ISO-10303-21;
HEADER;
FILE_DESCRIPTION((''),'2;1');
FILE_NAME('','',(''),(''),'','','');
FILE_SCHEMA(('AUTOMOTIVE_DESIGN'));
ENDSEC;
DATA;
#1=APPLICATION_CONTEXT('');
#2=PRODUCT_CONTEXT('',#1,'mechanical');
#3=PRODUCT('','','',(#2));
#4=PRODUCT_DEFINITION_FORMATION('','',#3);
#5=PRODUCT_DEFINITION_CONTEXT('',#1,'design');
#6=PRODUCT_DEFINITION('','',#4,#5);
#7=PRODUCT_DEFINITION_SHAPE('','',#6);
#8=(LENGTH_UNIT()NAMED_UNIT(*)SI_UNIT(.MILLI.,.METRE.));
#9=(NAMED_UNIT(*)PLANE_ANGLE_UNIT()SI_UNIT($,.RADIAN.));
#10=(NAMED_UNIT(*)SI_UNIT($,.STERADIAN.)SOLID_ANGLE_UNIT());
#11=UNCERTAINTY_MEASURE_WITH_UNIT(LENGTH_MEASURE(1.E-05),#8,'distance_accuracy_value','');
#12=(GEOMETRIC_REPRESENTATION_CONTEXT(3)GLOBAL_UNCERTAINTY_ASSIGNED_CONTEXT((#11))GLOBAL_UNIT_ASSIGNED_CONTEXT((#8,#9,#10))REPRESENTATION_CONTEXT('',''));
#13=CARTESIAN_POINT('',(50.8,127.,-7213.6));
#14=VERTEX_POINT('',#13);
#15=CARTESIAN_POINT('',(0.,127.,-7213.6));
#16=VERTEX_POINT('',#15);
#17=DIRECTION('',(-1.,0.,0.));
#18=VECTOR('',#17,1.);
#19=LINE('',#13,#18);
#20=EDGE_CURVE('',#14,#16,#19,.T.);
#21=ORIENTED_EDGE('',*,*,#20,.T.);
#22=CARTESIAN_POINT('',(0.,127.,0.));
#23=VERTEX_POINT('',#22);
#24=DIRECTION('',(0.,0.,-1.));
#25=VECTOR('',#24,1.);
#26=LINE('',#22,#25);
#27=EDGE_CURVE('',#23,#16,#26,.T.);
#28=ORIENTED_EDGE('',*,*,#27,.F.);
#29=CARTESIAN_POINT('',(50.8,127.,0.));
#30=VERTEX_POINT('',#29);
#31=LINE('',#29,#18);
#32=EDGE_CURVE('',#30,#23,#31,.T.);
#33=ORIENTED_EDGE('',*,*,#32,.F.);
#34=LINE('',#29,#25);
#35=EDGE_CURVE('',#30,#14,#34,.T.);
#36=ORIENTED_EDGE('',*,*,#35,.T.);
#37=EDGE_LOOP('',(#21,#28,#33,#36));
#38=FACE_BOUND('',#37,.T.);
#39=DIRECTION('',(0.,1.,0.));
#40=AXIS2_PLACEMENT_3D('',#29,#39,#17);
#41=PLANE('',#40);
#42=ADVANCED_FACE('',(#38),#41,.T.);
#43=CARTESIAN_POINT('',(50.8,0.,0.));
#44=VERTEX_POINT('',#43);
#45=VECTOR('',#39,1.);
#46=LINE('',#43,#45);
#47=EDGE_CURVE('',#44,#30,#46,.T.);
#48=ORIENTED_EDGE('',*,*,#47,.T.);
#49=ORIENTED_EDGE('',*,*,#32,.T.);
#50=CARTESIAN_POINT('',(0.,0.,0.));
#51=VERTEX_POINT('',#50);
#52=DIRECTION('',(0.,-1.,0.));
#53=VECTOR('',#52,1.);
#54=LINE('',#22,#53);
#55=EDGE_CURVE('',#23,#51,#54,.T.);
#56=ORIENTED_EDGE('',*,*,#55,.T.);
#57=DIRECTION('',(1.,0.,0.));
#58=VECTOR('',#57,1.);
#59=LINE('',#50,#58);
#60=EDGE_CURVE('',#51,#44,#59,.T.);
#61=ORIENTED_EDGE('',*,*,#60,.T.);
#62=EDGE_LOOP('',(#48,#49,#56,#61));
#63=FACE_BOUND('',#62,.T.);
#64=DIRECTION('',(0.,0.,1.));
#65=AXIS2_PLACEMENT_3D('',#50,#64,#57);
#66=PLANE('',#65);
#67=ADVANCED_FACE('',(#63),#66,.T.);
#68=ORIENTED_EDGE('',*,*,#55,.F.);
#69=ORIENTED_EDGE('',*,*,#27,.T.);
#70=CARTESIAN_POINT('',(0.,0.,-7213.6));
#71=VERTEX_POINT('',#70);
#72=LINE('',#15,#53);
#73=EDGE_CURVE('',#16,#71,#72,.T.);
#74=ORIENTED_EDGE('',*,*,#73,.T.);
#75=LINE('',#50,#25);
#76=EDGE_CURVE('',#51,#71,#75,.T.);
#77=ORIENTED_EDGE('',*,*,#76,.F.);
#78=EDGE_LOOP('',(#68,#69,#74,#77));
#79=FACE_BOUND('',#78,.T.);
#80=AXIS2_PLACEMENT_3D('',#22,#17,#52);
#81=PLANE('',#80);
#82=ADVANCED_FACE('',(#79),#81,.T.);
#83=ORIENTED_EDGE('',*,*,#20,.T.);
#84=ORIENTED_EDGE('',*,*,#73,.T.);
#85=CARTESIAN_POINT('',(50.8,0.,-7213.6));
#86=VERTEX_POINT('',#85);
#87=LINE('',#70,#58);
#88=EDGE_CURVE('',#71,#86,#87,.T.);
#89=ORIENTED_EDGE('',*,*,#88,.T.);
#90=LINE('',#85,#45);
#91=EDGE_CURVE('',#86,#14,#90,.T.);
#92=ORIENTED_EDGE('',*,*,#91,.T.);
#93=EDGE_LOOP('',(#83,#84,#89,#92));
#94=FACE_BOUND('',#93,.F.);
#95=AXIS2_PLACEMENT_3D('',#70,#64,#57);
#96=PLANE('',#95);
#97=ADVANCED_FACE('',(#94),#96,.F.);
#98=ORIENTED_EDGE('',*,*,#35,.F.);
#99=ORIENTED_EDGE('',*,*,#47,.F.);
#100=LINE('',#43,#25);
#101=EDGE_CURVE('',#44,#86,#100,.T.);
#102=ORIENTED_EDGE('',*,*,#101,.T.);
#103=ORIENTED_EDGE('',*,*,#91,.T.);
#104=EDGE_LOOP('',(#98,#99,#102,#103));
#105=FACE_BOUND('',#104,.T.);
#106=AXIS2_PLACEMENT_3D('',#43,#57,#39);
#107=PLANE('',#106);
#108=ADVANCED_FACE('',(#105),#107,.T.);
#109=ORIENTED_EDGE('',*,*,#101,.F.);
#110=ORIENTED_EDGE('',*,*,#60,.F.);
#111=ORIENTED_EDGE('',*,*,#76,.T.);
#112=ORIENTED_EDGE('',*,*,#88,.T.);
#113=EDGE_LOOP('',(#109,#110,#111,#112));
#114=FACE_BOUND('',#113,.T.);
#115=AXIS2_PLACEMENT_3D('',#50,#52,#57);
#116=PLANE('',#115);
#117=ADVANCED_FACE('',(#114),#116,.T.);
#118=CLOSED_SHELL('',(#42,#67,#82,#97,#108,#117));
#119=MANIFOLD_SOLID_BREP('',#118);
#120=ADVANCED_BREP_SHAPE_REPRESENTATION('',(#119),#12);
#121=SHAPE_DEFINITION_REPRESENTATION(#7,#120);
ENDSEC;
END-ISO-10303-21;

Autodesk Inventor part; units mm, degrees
ref_plane "YZ Plane" through (0, 0, 0) normal (1, 0, 0) x (0, 1, 0)
ref_plane "XZ Plane" through (0, 0, 0) normal (0, 1, 0) x (-1, 0, 0)
ref_plane "XY Plane" through (0, 0, 0) normal (0, 0, 1) x (1, 0, 0)
sketch "Sketch1" plane through (0, 0, 0) normal (0, 0, 1) x (1, 0, 0)
  line L0 (0, 0) -> (50.8, 0)
  line L1 (50.8, 0) -> (50.8, 127)
  line L2 (50.8, 127) -> (0, 127)
  line L3 (0, 127) -> (0, 0)
  dimension "d0" = 127
  dimension "d1" = 50.8
extrude "Extrusion1" add sketch "Sketch1" against normal blind 7213.6
properties part number "Beam--Sides"
